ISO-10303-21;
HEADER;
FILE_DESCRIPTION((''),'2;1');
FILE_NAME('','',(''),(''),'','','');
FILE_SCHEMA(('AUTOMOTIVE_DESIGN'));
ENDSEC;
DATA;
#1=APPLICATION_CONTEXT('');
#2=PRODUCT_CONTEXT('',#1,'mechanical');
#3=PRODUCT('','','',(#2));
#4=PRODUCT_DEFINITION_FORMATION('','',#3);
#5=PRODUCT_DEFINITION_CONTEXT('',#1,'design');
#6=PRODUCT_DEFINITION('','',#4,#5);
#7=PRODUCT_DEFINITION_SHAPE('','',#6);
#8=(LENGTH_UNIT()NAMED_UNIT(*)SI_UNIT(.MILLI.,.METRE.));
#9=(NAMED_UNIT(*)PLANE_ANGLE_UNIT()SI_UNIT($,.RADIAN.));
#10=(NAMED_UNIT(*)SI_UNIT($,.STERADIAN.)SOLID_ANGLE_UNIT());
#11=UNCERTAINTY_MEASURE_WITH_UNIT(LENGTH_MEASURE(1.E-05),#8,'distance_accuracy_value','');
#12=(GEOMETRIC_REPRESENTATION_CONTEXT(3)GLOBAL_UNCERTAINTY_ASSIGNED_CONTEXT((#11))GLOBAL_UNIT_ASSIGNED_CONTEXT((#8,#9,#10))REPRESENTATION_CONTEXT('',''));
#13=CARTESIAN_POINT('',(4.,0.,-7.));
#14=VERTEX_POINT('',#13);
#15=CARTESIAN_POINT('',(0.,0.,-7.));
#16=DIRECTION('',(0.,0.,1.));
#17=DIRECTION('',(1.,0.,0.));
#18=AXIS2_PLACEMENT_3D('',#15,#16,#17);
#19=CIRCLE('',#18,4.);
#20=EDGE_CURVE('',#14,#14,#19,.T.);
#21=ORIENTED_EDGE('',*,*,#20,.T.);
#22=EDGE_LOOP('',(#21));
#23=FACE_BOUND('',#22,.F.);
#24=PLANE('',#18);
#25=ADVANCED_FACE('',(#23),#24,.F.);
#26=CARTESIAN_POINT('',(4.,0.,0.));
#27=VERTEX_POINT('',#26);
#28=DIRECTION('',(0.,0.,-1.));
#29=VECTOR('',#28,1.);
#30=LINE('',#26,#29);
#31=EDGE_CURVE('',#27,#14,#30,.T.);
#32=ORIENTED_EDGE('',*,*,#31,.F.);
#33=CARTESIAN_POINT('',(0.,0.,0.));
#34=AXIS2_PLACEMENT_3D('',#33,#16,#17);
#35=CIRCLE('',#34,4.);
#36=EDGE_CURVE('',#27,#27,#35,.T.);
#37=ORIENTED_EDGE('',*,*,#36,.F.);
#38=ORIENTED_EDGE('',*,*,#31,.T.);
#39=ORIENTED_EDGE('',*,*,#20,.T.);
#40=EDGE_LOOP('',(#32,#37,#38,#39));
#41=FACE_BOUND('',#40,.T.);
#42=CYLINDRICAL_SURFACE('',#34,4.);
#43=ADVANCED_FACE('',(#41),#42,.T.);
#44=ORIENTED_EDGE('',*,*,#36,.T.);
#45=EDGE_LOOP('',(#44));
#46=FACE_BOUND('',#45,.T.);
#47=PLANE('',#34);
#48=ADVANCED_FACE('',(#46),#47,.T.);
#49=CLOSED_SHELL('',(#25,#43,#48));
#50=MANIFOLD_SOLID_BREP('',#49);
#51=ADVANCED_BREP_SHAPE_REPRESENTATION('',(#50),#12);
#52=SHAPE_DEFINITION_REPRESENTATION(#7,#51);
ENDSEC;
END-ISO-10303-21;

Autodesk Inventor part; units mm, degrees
ref_plane "YZ Plane" through (0, 0, 0) normal (1, 0, 0) x (0, 1, 0)
ref_plane "XZ Plane" through (0, 0, 0) normal (0, 1, 0) x (-1, 0, 0)
ref_plane "XY Plane" through (0, 0, 0) normal (0, 0, 1) x (1, 0, 0)
sketch "Sketch1" plane through (0, 0, 0) normal (0, 0, 1) x (1, 0, 0)
  circle A0 centre (0, 0) radius 4
  dimension "d0" = 8
extrude "Extrusion1" add sketch "Sketch1" against normal blind 7
sketch "Sketch2" plane through (0, 0, 0) normal (0, 0, 1) x (1, 0, 0)
  point P0 (0, 0)
properties part number "Driver Input Shaft"
